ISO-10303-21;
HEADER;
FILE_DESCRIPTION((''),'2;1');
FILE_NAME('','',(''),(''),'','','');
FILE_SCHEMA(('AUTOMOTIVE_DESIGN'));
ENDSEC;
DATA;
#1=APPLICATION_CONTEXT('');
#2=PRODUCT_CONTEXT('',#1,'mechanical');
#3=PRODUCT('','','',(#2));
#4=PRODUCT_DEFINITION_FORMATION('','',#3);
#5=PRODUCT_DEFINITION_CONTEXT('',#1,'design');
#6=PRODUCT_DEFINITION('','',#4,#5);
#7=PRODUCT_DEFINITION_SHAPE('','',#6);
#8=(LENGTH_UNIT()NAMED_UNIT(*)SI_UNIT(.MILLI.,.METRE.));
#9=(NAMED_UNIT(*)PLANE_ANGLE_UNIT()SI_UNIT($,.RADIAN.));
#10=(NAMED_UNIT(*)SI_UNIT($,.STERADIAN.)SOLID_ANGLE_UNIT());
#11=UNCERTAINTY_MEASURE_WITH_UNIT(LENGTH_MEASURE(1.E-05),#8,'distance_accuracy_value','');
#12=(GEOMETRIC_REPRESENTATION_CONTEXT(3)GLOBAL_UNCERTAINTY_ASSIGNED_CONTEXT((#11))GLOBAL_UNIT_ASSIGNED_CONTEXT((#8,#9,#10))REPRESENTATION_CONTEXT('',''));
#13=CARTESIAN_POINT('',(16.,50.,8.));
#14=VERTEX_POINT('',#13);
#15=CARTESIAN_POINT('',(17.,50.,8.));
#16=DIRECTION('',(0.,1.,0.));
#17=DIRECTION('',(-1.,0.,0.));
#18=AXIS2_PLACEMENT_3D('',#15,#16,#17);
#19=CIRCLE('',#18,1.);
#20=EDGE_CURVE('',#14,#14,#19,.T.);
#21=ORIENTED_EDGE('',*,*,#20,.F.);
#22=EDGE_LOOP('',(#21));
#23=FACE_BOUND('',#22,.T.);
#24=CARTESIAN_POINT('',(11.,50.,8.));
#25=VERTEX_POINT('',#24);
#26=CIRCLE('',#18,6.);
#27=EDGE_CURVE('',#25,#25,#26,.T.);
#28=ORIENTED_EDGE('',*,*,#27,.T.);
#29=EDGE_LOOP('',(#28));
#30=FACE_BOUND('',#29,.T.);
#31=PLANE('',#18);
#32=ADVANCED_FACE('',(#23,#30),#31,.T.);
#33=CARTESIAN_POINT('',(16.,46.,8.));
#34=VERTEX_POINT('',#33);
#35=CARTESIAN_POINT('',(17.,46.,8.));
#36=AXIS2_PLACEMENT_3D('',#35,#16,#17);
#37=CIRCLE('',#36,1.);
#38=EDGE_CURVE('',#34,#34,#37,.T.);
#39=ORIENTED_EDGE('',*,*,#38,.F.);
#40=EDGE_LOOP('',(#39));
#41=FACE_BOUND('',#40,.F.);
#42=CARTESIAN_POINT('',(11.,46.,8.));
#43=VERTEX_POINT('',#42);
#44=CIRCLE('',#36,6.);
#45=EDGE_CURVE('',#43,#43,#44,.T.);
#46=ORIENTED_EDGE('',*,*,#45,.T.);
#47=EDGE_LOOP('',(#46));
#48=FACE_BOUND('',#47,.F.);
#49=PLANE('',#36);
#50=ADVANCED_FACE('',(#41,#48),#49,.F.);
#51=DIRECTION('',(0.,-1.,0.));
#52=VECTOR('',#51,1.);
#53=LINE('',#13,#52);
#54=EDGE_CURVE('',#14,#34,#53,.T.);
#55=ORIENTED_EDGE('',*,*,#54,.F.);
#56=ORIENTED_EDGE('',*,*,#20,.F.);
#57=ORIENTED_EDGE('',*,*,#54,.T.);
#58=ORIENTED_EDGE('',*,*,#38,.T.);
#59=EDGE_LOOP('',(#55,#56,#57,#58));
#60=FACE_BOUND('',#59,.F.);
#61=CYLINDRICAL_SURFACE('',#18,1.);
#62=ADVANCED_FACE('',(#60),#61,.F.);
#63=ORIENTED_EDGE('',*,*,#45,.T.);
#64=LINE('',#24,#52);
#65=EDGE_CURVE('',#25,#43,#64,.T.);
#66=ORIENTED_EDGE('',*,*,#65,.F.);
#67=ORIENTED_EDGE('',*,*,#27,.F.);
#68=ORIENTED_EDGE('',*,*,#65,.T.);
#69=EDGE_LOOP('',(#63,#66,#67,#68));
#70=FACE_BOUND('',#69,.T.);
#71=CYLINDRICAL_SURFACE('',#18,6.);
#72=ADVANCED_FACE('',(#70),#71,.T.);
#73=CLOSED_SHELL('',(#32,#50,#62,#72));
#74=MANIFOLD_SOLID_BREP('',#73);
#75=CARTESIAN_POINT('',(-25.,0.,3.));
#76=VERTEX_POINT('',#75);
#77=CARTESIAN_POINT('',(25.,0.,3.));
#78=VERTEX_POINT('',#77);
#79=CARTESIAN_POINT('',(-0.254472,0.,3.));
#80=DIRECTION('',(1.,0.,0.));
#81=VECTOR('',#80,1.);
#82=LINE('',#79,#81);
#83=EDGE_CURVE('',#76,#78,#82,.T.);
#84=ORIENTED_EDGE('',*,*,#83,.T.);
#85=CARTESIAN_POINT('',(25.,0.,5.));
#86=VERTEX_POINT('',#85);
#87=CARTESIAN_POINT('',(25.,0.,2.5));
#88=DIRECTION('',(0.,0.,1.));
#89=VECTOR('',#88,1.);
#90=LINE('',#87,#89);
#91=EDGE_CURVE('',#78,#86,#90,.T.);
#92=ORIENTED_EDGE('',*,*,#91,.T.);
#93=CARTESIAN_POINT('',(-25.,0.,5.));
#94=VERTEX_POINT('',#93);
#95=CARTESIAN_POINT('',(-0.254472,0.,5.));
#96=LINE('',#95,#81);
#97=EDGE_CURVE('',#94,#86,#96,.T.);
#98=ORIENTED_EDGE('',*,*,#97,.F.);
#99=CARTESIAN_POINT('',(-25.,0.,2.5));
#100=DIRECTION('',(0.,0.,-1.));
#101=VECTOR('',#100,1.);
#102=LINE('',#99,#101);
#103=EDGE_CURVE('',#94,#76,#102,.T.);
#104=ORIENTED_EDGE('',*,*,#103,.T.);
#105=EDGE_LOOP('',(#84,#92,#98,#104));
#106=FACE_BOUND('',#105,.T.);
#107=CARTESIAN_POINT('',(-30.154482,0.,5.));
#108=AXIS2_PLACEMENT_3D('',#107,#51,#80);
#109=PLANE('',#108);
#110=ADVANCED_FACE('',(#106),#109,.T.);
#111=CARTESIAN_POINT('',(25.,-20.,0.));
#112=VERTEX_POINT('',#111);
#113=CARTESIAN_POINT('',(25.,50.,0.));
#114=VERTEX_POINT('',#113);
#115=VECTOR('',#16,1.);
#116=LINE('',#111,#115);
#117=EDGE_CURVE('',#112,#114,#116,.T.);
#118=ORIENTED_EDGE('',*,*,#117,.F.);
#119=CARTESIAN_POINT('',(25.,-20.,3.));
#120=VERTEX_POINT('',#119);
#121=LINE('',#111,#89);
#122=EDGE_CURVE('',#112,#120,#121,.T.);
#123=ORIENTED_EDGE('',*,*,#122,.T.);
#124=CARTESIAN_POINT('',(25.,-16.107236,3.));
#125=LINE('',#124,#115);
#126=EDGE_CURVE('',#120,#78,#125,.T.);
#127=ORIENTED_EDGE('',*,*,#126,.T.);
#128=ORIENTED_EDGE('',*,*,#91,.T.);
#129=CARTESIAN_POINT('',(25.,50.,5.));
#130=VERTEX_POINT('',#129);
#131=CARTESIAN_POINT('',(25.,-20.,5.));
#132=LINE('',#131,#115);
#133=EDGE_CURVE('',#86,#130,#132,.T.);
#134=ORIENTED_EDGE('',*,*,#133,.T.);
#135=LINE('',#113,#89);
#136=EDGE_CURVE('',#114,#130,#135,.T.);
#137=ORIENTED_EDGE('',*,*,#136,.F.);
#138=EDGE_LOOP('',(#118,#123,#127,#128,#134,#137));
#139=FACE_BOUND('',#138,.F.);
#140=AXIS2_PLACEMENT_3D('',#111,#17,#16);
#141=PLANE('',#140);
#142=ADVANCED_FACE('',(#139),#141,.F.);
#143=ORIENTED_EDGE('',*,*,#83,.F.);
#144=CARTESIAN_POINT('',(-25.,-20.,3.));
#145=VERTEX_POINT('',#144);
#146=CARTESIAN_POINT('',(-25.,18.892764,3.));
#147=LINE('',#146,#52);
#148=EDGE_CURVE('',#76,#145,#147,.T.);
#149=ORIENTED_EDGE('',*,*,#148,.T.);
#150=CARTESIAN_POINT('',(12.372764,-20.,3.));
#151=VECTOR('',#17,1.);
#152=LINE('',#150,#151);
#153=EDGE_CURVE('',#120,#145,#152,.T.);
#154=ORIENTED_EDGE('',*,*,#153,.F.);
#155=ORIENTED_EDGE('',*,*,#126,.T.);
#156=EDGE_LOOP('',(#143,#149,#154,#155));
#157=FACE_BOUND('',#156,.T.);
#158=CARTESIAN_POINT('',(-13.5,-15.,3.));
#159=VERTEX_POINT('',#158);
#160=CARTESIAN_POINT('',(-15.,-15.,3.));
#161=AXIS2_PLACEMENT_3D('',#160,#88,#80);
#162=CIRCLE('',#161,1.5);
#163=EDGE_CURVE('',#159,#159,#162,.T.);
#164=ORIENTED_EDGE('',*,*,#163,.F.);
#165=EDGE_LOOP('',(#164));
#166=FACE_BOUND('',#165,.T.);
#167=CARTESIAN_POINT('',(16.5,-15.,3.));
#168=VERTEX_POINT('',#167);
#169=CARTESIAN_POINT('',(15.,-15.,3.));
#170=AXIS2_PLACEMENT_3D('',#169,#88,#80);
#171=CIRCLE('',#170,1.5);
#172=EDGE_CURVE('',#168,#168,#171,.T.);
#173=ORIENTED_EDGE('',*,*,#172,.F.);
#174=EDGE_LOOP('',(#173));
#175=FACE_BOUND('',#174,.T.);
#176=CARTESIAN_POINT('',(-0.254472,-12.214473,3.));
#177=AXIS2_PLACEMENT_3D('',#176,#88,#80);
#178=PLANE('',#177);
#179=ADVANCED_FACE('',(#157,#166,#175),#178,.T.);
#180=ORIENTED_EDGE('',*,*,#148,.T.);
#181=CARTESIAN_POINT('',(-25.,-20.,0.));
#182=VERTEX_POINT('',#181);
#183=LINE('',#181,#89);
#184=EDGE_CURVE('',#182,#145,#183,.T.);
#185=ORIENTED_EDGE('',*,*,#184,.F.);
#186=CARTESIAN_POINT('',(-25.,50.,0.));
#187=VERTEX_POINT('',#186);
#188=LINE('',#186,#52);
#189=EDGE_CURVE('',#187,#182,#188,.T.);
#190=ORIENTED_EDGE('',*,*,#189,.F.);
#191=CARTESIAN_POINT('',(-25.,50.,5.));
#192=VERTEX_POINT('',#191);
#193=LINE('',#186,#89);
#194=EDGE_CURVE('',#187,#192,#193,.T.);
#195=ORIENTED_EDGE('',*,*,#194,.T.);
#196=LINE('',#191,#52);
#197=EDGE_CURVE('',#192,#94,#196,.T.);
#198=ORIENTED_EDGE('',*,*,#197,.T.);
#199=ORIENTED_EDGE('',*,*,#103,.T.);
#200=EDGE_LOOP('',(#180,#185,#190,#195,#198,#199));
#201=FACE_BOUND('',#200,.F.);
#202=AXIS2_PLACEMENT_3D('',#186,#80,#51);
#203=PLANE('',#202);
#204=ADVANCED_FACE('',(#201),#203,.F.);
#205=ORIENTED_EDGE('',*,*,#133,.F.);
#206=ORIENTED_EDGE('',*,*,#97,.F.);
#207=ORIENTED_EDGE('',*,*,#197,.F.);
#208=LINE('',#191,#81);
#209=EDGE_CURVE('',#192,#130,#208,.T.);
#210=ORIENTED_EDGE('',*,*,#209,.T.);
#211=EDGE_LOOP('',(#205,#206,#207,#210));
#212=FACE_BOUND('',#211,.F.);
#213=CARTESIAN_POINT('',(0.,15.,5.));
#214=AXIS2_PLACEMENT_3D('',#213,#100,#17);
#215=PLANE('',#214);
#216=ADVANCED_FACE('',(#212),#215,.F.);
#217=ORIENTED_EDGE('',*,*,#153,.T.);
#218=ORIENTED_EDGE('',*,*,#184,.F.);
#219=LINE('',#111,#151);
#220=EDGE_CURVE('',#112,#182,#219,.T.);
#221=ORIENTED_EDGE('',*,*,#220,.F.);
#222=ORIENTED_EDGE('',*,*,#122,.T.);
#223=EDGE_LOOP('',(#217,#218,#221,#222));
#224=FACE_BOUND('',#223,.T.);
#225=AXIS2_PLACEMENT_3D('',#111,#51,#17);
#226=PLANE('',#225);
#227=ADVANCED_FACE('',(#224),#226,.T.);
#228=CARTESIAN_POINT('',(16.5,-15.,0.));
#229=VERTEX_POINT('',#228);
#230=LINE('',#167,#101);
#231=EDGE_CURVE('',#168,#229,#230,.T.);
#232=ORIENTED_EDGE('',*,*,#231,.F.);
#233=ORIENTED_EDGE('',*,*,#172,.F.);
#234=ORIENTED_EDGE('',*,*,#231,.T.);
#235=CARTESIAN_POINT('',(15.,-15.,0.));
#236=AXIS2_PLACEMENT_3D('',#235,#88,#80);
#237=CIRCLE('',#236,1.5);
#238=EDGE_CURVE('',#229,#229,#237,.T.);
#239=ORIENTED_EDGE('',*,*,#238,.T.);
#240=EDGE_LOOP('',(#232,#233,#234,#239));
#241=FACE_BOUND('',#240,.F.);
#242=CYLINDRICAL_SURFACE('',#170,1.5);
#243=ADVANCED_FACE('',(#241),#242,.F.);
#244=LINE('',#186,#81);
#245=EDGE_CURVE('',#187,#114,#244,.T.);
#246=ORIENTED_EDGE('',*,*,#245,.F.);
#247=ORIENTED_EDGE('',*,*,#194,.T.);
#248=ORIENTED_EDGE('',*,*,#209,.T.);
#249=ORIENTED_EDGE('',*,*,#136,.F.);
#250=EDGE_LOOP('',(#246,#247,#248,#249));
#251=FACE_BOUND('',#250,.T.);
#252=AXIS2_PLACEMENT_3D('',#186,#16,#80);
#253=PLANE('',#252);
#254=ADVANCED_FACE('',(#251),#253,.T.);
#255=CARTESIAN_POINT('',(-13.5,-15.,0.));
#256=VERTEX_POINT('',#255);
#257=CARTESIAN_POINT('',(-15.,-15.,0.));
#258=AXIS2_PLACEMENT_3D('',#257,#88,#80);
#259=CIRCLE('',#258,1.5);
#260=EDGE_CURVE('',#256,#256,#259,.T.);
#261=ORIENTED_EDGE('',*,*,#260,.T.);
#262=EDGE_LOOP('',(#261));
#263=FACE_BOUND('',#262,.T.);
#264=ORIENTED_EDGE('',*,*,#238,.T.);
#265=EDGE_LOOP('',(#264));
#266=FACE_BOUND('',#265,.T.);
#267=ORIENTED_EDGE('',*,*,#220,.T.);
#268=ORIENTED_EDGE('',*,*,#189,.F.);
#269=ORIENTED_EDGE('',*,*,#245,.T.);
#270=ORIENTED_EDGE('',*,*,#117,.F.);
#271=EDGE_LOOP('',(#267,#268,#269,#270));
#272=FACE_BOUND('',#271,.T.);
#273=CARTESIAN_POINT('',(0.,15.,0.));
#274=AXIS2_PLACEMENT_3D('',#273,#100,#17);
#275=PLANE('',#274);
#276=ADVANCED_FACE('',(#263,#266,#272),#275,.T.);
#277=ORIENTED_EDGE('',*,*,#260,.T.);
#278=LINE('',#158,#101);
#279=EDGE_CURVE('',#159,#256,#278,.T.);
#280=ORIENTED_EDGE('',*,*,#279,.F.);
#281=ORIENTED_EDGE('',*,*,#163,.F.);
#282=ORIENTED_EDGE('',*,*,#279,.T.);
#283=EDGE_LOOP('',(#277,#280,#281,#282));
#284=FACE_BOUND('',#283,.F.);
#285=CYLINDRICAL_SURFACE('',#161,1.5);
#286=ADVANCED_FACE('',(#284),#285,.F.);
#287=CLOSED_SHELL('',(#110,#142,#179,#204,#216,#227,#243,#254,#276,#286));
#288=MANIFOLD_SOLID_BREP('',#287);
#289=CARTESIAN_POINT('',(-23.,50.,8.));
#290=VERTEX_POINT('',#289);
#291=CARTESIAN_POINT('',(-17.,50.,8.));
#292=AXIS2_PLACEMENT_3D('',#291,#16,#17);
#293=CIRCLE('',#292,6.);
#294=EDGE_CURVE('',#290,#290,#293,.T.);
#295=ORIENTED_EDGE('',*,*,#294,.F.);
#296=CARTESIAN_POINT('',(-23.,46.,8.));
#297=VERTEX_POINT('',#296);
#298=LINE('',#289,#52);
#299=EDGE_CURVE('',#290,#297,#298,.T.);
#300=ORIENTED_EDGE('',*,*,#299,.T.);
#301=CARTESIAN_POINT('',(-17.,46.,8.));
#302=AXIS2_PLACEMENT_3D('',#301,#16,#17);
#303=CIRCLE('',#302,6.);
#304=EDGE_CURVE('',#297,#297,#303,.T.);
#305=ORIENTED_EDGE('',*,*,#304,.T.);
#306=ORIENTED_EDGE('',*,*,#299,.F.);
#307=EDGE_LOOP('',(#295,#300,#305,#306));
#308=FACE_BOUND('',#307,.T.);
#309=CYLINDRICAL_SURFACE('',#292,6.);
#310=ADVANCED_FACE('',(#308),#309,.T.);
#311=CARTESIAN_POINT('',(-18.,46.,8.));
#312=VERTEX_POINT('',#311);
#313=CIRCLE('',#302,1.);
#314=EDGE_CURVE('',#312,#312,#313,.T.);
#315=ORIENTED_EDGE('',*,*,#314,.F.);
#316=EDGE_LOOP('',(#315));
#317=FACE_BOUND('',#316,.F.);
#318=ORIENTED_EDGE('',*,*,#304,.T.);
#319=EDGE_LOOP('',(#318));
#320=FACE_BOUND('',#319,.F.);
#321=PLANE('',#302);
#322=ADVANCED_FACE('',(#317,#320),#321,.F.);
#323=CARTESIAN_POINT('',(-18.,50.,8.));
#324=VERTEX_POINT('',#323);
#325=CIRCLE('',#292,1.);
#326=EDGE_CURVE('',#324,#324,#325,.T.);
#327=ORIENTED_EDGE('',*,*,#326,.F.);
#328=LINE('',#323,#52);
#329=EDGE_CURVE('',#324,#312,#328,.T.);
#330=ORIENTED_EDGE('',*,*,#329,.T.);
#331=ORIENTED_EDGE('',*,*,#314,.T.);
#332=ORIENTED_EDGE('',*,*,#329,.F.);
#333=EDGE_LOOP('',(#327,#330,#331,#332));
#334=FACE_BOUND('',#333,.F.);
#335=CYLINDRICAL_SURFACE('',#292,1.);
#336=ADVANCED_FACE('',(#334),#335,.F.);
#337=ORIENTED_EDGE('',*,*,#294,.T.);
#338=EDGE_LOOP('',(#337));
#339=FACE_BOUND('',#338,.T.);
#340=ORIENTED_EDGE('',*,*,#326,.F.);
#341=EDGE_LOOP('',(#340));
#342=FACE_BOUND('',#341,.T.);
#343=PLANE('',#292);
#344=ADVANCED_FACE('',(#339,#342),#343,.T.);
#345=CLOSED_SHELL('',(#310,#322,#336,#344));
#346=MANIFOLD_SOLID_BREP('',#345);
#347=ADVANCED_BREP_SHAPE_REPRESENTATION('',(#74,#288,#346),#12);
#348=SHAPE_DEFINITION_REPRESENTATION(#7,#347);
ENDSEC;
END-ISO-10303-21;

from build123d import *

# Parameters (mm, degrees)
PAD_DEPTH       = 5
SKETCH001_W     = 59.80002
SKETCH001_H     = 24.428946
POCKET_DEPTH    = 2
SKETCH002_R     = 1.5
POCKET001_DEPTH = 5
SKETCH004_R     = 6
SKETCH004_R_2   = 1
PAD001_DEPTH    = 4


with BuildPart() as pocket001:
    # Sketch → Pad (new body)
    with BuildSketch(Plane.XY):
        Polygon((-25, 50), (25, 50), (25, 0), (25, -20), (-25, -20), (-25, 0), align=None)
    extrude(amount=PAD_DEPTH)

    # Sketch001 → Pocket (cut)
    with BuildSketch(Plane.XY.offset(5)):
        with Locations((-0.254472, -12.214473)):
            Rectangle(SKETCH001_W, SKETCH001_H)
    extrude(amount=-POCKET_DEPTH, mode=Mode.SUBTRACT)

    # Sketch002 → Pocket001 (cut)
    with BuildSketch(Plane.XY.offset(3)):
        with Locations((-15, -15)):
            Circle(SKETCH002_R)
        with Locations((15, -15)):
            Circle(SKETCH002_R)
    extrude(amount=-POCKET001_DEPTH, mode=Mode.SUBTRACT)


with BuildPart() as pad001:
    # Sketch004 → Pad001 (new body)
    with BuildSketch(Plane(origin=(0, 50, 0), x_dir=(-1, 0, 0), z_dir=(0, 1, 0))):
        with Locations((-17, 8)):
            Circle(SKETCH004_R)
        with Locations((-17, 8)):
            Circle(SKETCH004_R_2, mode=Mode.SUBTRACT)
        with Locations((17, 8)):
            Circle(SKETCH004_R)
        with Locations((17, 8)):
            Circle(SKETCH004_R_2, mode=Mode.SUBTRACT)
    extrude(amount=-PAD001_DEPTH)


solid = Compound([pocket001.part, pad001.part])
